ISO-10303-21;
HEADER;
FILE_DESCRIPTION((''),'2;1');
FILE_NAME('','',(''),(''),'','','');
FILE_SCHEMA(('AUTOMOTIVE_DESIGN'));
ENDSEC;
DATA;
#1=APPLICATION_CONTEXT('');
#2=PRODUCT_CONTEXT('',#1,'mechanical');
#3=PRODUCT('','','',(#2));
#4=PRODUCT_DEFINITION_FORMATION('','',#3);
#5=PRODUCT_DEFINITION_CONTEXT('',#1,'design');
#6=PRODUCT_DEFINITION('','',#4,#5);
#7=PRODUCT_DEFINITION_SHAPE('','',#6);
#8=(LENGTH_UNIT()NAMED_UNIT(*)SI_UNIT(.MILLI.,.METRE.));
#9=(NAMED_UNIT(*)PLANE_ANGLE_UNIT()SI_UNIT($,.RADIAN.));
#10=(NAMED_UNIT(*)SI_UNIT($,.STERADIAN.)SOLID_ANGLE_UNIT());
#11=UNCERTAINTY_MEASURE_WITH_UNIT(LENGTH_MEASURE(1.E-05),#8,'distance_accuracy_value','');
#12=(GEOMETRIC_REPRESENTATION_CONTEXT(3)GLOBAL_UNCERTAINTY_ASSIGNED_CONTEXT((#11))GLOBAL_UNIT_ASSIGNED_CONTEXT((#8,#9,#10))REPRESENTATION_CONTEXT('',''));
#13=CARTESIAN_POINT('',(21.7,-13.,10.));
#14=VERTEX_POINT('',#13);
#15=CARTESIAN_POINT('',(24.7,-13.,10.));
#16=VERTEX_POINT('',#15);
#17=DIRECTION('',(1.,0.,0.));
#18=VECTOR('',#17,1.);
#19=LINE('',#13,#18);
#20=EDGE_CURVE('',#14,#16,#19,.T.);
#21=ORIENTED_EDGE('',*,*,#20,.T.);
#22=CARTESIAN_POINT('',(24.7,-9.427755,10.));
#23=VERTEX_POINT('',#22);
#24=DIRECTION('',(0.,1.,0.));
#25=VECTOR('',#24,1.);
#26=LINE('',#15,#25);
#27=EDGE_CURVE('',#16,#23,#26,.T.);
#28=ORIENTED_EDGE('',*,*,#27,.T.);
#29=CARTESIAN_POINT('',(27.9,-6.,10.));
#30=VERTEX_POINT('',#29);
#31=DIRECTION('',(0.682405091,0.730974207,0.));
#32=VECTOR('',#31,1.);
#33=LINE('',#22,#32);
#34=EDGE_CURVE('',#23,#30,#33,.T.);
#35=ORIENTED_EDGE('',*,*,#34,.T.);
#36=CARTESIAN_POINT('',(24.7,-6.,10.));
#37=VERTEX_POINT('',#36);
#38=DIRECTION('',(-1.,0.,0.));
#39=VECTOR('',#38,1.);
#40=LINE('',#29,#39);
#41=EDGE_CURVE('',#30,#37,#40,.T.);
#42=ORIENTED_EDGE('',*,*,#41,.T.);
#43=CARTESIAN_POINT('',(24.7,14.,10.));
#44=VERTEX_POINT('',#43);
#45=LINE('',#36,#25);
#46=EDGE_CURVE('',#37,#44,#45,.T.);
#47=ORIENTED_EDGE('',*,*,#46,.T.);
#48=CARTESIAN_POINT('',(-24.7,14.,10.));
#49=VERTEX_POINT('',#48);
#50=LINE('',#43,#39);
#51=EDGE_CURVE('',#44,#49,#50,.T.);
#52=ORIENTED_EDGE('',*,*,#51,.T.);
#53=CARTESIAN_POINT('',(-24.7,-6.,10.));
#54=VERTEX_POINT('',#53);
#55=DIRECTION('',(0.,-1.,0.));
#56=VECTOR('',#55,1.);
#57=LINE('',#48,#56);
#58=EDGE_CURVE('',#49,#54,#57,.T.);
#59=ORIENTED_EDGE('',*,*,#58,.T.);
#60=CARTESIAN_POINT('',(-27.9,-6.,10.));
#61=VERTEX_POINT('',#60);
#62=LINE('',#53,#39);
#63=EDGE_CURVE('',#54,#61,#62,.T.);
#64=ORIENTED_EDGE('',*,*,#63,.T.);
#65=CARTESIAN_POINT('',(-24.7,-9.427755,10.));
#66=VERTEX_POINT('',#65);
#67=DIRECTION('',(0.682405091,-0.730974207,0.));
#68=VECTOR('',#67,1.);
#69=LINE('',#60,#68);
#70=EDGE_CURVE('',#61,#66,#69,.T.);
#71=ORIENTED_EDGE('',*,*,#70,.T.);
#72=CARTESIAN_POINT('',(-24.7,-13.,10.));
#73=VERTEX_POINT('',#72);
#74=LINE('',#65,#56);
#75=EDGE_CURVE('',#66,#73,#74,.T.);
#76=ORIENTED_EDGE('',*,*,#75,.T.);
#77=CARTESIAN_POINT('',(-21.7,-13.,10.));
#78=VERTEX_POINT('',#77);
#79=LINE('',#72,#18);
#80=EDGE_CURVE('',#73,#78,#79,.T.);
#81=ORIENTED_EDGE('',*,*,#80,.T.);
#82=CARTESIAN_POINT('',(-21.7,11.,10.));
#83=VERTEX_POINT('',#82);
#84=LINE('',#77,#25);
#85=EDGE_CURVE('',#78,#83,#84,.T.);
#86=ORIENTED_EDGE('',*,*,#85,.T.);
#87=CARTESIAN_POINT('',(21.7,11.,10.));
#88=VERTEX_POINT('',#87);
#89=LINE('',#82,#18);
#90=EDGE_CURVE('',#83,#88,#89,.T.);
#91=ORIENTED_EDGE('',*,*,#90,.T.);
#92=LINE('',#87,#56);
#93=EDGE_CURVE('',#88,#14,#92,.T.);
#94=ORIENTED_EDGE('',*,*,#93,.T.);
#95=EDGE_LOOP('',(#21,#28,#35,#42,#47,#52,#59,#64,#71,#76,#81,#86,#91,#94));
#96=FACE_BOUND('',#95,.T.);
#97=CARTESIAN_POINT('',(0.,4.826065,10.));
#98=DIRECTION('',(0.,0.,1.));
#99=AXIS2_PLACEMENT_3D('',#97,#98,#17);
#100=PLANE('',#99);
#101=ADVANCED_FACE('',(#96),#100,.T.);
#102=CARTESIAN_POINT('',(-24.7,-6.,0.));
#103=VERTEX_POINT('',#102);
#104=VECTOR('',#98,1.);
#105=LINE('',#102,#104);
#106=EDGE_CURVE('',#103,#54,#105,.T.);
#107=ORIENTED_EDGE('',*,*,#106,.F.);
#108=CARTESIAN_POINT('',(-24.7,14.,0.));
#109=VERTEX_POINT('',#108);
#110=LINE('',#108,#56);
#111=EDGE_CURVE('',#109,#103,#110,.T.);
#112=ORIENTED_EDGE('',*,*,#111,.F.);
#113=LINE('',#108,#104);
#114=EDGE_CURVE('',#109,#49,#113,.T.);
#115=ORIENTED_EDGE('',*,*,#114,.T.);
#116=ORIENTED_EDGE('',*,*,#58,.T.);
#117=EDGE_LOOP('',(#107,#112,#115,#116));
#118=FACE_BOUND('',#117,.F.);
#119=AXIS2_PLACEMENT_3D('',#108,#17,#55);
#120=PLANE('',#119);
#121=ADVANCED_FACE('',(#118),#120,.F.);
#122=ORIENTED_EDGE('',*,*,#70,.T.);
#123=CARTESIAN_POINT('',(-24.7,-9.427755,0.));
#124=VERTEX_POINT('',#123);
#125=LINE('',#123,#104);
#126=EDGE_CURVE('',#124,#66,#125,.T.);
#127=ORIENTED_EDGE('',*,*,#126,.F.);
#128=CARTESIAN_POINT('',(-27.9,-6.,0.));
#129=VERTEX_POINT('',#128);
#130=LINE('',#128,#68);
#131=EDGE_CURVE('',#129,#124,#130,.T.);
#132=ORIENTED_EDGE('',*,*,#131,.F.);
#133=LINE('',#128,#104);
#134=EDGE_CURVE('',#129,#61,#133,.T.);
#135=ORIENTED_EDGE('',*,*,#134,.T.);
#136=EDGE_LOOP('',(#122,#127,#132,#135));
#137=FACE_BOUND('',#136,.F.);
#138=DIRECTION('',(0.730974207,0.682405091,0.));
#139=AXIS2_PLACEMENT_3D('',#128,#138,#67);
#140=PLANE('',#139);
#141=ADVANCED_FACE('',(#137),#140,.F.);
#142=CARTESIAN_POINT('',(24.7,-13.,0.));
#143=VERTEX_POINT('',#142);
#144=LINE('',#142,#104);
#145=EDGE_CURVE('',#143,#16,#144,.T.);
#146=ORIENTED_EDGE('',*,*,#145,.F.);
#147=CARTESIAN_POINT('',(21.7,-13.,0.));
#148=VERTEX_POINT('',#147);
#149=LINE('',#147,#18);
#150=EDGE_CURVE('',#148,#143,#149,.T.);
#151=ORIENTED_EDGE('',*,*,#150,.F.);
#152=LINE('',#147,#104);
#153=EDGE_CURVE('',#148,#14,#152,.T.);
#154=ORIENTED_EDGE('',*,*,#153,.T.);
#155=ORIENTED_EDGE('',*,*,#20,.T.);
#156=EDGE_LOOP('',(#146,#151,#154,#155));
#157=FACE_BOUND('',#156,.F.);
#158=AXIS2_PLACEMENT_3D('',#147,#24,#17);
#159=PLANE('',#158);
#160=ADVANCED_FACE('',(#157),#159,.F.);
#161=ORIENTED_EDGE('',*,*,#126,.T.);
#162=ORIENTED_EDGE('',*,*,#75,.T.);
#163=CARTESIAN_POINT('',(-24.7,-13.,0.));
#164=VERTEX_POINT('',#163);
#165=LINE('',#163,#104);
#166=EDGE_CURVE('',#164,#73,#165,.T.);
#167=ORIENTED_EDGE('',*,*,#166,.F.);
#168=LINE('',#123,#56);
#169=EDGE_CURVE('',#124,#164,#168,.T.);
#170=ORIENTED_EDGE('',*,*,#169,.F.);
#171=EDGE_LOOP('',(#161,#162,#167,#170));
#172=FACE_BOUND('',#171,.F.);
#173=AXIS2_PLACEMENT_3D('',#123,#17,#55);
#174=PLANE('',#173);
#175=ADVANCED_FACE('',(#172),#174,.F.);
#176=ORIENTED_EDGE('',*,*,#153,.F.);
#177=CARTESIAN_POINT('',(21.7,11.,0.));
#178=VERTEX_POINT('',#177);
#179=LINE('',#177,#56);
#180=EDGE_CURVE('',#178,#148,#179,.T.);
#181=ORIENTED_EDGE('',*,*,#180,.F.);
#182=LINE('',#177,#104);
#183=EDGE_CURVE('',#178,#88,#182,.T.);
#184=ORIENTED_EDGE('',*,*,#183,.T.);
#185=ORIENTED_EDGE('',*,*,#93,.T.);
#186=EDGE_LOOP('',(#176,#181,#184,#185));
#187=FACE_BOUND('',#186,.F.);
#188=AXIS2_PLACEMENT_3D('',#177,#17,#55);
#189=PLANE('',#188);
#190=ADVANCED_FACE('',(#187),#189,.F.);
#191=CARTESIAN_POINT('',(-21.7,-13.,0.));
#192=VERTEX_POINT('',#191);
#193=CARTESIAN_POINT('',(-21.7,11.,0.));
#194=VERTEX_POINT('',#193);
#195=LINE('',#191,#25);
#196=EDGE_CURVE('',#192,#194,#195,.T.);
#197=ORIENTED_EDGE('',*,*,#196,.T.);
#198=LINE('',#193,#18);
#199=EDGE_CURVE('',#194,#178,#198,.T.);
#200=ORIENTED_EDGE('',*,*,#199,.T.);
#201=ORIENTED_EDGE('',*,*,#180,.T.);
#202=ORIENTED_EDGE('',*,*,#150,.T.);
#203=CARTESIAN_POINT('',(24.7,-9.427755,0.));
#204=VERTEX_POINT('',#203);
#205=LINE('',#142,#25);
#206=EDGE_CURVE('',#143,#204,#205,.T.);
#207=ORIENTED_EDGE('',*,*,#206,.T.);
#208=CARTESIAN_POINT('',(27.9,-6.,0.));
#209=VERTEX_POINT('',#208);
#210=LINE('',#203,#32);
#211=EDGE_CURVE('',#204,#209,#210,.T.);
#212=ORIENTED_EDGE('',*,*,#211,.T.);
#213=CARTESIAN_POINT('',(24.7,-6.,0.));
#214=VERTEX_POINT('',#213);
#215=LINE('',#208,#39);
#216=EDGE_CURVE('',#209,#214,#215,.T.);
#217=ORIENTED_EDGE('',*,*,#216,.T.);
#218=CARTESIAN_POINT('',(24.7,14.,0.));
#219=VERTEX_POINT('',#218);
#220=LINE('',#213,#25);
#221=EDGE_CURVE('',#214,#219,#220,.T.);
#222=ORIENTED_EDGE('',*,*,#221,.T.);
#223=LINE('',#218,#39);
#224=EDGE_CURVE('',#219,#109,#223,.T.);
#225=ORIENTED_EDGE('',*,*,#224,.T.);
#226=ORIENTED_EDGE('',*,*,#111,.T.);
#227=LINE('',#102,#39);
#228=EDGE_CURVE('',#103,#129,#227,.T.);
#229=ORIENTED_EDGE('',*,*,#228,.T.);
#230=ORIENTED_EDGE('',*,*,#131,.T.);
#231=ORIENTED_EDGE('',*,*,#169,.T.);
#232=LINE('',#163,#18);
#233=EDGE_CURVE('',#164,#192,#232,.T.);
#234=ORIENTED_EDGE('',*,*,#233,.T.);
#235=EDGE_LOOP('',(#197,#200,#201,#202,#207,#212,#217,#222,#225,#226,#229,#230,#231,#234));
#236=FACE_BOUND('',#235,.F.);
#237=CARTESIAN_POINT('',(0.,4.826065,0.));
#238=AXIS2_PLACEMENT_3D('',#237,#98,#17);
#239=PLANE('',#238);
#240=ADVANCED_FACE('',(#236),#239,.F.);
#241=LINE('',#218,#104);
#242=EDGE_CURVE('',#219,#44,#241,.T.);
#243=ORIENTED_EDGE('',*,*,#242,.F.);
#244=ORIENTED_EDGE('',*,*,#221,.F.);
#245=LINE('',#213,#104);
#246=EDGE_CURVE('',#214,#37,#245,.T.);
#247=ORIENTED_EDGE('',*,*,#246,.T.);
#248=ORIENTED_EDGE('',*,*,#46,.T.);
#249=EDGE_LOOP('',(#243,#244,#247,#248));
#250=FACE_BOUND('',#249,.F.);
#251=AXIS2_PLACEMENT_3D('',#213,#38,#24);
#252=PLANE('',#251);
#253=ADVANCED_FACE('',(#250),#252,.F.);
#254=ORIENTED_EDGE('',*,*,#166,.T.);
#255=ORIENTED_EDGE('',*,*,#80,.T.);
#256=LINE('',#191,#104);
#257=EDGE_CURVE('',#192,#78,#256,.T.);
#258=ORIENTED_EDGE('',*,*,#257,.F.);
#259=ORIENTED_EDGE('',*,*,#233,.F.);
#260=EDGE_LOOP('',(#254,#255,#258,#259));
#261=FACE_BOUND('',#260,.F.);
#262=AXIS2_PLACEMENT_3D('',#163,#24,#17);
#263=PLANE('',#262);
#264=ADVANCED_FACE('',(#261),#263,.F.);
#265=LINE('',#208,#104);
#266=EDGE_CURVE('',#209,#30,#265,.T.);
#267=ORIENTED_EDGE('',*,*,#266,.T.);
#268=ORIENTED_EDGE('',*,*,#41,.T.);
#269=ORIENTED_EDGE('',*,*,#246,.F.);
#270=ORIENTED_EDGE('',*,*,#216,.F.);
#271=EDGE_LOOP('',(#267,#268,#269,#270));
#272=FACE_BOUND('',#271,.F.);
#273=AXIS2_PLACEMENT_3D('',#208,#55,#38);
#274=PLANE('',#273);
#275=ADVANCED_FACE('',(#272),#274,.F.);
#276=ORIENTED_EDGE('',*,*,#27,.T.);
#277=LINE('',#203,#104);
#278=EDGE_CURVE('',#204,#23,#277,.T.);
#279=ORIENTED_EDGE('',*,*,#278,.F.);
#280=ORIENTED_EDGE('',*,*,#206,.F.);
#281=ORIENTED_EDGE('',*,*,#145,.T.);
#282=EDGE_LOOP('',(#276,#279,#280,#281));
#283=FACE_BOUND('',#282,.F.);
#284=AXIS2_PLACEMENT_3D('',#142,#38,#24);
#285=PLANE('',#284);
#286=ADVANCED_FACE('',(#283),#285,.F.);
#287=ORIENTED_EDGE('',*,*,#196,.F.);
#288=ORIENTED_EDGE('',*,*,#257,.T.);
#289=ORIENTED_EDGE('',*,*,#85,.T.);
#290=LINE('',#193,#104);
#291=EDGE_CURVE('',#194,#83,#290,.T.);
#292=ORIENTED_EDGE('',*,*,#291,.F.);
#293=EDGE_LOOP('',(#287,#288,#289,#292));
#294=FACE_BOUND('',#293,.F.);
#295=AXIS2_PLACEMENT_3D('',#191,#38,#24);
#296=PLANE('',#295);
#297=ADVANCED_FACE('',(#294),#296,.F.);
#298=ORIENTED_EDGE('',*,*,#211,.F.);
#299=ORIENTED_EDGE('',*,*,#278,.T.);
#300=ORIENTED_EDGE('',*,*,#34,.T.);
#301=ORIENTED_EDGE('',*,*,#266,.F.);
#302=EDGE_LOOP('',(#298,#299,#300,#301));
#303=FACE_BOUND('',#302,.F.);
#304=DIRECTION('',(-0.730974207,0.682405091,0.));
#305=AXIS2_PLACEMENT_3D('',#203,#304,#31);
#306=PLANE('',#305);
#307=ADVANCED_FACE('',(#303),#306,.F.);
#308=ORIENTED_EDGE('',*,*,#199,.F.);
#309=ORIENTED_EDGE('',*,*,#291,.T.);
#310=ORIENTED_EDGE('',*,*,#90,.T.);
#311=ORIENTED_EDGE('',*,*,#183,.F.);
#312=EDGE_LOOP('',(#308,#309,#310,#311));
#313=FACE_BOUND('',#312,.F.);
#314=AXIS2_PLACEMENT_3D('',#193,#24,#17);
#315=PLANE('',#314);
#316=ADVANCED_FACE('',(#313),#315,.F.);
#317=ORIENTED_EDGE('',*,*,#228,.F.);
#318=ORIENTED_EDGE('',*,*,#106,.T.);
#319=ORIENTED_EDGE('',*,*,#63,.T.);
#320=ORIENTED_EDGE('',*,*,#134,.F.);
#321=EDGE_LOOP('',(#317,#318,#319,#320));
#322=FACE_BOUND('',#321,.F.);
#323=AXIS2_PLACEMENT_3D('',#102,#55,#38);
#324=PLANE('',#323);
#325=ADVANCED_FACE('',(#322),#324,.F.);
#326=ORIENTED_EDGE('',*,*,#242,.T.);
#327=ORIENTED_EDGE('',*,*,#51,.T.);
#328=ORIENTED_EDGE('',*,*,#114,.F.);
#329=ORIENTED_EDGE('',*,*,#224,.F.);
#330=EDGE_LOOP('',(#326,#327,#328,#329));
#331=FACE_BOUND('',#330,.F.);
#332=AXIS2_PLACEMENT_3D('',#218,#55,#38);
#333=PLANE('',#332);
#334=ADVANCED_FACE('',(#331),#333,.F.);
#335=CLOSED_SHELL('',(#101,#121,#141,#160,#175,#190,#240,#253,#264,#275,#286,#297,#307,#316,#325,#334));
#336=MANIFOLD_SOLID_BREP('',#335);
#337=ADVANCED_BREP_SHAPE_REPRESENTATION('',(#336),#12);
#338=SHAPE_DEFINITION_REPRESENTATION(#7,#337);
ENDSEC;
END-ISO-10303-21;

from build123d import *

# Parameters (mm, degrees)
F1_DEPTH = 10


with BuildPart() as f1:
    # F0 (on Top) → F1 (new body)
    with BuildSketch(Plane.XY):
        Polygon((24.7, 14), (0, 14), (-24.7, 14), (-24.7, -6), (-27.9, -6), (-24.7, -9.427755), (-24.7, -13), (-21.7, -13), (-21.7, 11), (0, 11), (21.7, 11), (21.7, -13), (24.7, -13), (24.7, -9.427755), (27.9, -6), (24.7, -6), align=None)
    extrude(amount=F1_DEPTH)


solid = f1.part
